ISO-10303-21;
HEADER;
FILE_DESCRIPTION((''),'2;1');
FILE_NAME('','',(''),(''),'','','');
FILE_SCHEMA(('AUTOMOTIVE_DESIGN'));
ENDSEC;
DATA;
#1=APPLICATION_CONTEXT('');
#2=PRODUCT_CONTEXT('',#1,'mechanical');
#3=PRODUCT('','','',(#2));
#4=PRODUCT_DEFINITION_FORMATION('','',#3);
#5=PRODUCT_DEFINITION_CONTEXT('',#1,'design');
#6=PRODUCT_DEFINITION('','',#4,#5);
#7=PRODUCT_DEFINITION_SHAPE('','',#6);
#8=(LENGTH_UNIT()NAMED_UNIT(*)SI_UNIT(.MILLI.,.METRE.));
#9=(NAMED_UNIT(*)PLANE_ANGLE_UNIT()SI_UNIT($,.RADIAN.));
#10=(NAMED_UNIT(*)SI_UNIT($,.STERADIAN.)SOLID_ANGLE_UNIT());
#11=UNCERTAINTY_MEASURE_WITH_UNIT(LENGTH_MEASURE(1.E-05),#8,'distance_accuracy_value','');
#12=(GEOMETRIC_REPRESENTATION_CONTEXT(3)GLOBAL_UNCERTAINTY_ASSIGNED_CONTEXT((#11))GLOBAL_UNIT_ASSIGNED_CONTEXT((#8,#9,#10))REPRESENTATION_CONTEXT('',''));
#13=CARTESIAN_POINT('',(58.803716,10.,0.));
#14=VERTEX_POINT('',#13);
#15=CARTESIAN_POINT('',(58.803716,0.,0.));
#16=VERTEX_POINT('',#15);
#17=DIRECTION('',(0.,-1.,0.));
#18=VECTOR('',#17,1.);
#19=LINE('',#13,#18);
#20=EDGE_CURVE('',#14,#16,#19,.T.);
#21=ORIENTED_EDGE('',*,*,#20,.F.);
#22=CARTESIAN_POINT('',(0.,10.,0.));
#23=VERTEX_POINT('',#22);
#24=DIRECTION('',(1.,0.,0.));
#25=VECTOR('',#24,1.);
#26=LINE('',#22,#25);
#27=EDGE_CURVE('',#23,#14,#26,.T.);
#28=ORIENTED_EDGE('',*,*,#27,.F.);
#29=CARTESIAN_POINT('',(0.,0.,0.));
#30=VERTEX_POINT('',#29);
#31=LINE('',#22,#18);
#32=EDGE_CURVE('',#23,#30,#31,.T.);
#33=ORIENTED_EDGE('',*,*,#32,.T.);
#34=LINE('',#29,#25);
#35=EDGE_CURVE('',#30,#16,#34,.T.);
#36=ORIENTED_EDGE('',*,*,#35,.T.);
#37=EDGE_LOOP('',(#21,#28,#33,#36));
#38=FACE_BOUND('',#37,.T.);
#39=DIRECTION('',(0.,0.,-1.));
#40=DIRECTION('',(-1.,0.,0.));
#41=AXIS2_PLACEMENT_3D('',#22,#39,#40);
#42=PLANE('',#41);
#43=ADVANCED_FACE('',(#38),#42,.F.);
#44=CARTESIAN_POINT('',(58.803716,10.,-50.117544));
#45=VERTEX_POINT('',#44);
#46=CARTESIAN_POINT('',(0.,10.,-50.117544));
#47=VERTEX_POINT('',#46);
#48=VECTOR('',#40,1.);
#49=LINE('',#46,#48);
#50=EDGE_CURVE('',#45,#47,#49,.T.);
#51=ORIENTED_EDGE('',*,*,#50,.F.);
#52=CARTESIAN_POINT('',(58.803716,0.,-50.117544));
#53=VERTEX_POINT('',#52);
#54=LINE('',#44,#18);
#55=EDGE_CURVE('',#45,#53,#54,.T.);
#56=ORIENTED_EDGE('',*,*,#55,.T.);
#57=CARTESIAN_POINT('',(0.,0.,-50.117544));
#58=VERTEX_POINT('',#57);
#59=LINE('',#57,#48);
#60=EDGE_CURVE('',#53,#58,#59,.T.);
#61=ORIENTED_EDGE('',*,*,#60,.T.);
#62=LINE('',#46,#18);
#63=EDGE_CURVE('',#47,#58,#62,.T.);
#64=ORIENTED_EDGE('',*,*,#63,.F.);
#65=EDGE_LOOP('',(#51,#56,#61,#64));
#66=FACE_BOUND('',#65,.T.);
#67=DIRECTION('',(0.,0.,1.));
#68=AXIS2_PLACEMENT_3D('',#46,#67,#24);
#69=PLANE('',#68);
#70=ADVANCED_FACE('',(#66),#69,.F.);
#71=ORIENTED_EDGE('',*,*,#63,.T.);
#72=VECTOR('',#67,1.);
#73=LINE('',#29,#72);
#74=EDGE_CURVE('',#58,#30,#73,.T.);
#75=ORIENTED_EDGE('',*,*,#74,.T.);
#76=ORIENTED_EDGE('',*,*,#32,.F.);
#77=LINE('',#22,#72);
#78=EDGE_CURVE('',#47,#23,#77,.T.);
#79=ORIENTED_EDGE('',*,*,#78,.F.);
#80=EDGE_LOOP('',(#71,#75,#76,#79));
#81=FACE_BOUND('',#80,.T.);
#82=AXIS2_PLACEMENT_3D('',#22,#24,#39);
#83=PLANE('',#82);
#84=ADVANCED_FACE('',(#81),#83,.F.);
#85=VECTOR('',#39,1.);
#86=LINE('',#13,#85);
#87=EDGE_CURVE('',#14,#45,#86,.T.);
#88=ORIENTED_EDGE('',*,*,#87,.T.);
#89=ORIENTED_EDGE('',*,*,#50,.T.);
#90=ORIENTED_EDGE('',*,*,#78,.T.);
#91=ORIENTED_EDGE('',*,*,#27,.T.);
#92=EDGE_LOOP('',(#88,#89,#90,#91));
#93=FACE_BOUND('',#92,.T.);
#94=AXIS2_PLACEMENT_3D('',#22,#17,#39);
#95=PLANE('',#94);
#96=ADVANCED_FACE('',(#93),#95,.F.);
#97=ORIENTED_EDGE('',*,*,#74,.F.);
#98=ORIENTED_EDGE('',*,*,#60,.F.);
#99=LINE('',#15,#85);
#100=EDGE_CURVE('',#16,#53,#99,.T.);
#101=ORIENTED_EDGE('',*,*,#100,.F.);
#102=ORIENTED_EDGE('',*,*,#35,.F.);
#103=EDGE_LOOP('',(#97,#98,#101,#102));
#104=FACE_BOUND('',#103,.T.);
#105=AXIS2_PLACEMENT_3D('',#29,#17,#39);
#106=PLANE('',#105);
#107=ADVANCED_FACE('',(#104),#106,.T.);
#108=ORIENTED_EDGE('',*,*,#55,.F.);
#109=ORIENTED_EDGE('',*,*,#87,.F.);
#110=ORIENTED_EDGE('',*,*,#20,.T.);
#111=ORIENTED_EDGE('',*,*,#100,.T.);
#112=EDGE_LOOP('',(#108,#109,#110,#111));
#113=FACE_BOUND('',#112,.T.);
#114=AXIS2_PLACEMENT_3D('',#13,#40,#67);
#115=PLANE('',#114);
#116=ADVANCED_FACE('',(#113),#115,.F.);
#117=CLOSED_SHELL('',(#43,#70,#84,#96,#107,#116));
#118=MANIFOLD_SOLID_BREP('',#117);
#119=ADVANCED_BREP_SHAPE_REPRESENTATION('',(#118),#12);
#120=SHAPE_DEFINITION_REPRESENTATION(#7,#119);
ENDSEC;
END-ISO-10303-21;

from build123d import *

# Parameters (mm, degrees)
CROQUIS1_W              = 58.803715618
CROQUIS1_H              = 50.117543921
SALIENTE_EXTRUIR1_DEPTH = 10


with BuildPart() as part:
    # Croquis1 → Saliente-Extruir1 (new body)
    with BuildSketch(Plane(origin=(0, 0, 0), x_dir=(1, 0, 0), z_dir=(0, 1, 0))):
        with Locations((29.401857809, 25.058771961)):
            Rectangle(CROQUIS1_W, CROQUIS1_H)
    extrude(amount=SALIENTE_EXTRUIR1_DEPTH)


solid = part.part
